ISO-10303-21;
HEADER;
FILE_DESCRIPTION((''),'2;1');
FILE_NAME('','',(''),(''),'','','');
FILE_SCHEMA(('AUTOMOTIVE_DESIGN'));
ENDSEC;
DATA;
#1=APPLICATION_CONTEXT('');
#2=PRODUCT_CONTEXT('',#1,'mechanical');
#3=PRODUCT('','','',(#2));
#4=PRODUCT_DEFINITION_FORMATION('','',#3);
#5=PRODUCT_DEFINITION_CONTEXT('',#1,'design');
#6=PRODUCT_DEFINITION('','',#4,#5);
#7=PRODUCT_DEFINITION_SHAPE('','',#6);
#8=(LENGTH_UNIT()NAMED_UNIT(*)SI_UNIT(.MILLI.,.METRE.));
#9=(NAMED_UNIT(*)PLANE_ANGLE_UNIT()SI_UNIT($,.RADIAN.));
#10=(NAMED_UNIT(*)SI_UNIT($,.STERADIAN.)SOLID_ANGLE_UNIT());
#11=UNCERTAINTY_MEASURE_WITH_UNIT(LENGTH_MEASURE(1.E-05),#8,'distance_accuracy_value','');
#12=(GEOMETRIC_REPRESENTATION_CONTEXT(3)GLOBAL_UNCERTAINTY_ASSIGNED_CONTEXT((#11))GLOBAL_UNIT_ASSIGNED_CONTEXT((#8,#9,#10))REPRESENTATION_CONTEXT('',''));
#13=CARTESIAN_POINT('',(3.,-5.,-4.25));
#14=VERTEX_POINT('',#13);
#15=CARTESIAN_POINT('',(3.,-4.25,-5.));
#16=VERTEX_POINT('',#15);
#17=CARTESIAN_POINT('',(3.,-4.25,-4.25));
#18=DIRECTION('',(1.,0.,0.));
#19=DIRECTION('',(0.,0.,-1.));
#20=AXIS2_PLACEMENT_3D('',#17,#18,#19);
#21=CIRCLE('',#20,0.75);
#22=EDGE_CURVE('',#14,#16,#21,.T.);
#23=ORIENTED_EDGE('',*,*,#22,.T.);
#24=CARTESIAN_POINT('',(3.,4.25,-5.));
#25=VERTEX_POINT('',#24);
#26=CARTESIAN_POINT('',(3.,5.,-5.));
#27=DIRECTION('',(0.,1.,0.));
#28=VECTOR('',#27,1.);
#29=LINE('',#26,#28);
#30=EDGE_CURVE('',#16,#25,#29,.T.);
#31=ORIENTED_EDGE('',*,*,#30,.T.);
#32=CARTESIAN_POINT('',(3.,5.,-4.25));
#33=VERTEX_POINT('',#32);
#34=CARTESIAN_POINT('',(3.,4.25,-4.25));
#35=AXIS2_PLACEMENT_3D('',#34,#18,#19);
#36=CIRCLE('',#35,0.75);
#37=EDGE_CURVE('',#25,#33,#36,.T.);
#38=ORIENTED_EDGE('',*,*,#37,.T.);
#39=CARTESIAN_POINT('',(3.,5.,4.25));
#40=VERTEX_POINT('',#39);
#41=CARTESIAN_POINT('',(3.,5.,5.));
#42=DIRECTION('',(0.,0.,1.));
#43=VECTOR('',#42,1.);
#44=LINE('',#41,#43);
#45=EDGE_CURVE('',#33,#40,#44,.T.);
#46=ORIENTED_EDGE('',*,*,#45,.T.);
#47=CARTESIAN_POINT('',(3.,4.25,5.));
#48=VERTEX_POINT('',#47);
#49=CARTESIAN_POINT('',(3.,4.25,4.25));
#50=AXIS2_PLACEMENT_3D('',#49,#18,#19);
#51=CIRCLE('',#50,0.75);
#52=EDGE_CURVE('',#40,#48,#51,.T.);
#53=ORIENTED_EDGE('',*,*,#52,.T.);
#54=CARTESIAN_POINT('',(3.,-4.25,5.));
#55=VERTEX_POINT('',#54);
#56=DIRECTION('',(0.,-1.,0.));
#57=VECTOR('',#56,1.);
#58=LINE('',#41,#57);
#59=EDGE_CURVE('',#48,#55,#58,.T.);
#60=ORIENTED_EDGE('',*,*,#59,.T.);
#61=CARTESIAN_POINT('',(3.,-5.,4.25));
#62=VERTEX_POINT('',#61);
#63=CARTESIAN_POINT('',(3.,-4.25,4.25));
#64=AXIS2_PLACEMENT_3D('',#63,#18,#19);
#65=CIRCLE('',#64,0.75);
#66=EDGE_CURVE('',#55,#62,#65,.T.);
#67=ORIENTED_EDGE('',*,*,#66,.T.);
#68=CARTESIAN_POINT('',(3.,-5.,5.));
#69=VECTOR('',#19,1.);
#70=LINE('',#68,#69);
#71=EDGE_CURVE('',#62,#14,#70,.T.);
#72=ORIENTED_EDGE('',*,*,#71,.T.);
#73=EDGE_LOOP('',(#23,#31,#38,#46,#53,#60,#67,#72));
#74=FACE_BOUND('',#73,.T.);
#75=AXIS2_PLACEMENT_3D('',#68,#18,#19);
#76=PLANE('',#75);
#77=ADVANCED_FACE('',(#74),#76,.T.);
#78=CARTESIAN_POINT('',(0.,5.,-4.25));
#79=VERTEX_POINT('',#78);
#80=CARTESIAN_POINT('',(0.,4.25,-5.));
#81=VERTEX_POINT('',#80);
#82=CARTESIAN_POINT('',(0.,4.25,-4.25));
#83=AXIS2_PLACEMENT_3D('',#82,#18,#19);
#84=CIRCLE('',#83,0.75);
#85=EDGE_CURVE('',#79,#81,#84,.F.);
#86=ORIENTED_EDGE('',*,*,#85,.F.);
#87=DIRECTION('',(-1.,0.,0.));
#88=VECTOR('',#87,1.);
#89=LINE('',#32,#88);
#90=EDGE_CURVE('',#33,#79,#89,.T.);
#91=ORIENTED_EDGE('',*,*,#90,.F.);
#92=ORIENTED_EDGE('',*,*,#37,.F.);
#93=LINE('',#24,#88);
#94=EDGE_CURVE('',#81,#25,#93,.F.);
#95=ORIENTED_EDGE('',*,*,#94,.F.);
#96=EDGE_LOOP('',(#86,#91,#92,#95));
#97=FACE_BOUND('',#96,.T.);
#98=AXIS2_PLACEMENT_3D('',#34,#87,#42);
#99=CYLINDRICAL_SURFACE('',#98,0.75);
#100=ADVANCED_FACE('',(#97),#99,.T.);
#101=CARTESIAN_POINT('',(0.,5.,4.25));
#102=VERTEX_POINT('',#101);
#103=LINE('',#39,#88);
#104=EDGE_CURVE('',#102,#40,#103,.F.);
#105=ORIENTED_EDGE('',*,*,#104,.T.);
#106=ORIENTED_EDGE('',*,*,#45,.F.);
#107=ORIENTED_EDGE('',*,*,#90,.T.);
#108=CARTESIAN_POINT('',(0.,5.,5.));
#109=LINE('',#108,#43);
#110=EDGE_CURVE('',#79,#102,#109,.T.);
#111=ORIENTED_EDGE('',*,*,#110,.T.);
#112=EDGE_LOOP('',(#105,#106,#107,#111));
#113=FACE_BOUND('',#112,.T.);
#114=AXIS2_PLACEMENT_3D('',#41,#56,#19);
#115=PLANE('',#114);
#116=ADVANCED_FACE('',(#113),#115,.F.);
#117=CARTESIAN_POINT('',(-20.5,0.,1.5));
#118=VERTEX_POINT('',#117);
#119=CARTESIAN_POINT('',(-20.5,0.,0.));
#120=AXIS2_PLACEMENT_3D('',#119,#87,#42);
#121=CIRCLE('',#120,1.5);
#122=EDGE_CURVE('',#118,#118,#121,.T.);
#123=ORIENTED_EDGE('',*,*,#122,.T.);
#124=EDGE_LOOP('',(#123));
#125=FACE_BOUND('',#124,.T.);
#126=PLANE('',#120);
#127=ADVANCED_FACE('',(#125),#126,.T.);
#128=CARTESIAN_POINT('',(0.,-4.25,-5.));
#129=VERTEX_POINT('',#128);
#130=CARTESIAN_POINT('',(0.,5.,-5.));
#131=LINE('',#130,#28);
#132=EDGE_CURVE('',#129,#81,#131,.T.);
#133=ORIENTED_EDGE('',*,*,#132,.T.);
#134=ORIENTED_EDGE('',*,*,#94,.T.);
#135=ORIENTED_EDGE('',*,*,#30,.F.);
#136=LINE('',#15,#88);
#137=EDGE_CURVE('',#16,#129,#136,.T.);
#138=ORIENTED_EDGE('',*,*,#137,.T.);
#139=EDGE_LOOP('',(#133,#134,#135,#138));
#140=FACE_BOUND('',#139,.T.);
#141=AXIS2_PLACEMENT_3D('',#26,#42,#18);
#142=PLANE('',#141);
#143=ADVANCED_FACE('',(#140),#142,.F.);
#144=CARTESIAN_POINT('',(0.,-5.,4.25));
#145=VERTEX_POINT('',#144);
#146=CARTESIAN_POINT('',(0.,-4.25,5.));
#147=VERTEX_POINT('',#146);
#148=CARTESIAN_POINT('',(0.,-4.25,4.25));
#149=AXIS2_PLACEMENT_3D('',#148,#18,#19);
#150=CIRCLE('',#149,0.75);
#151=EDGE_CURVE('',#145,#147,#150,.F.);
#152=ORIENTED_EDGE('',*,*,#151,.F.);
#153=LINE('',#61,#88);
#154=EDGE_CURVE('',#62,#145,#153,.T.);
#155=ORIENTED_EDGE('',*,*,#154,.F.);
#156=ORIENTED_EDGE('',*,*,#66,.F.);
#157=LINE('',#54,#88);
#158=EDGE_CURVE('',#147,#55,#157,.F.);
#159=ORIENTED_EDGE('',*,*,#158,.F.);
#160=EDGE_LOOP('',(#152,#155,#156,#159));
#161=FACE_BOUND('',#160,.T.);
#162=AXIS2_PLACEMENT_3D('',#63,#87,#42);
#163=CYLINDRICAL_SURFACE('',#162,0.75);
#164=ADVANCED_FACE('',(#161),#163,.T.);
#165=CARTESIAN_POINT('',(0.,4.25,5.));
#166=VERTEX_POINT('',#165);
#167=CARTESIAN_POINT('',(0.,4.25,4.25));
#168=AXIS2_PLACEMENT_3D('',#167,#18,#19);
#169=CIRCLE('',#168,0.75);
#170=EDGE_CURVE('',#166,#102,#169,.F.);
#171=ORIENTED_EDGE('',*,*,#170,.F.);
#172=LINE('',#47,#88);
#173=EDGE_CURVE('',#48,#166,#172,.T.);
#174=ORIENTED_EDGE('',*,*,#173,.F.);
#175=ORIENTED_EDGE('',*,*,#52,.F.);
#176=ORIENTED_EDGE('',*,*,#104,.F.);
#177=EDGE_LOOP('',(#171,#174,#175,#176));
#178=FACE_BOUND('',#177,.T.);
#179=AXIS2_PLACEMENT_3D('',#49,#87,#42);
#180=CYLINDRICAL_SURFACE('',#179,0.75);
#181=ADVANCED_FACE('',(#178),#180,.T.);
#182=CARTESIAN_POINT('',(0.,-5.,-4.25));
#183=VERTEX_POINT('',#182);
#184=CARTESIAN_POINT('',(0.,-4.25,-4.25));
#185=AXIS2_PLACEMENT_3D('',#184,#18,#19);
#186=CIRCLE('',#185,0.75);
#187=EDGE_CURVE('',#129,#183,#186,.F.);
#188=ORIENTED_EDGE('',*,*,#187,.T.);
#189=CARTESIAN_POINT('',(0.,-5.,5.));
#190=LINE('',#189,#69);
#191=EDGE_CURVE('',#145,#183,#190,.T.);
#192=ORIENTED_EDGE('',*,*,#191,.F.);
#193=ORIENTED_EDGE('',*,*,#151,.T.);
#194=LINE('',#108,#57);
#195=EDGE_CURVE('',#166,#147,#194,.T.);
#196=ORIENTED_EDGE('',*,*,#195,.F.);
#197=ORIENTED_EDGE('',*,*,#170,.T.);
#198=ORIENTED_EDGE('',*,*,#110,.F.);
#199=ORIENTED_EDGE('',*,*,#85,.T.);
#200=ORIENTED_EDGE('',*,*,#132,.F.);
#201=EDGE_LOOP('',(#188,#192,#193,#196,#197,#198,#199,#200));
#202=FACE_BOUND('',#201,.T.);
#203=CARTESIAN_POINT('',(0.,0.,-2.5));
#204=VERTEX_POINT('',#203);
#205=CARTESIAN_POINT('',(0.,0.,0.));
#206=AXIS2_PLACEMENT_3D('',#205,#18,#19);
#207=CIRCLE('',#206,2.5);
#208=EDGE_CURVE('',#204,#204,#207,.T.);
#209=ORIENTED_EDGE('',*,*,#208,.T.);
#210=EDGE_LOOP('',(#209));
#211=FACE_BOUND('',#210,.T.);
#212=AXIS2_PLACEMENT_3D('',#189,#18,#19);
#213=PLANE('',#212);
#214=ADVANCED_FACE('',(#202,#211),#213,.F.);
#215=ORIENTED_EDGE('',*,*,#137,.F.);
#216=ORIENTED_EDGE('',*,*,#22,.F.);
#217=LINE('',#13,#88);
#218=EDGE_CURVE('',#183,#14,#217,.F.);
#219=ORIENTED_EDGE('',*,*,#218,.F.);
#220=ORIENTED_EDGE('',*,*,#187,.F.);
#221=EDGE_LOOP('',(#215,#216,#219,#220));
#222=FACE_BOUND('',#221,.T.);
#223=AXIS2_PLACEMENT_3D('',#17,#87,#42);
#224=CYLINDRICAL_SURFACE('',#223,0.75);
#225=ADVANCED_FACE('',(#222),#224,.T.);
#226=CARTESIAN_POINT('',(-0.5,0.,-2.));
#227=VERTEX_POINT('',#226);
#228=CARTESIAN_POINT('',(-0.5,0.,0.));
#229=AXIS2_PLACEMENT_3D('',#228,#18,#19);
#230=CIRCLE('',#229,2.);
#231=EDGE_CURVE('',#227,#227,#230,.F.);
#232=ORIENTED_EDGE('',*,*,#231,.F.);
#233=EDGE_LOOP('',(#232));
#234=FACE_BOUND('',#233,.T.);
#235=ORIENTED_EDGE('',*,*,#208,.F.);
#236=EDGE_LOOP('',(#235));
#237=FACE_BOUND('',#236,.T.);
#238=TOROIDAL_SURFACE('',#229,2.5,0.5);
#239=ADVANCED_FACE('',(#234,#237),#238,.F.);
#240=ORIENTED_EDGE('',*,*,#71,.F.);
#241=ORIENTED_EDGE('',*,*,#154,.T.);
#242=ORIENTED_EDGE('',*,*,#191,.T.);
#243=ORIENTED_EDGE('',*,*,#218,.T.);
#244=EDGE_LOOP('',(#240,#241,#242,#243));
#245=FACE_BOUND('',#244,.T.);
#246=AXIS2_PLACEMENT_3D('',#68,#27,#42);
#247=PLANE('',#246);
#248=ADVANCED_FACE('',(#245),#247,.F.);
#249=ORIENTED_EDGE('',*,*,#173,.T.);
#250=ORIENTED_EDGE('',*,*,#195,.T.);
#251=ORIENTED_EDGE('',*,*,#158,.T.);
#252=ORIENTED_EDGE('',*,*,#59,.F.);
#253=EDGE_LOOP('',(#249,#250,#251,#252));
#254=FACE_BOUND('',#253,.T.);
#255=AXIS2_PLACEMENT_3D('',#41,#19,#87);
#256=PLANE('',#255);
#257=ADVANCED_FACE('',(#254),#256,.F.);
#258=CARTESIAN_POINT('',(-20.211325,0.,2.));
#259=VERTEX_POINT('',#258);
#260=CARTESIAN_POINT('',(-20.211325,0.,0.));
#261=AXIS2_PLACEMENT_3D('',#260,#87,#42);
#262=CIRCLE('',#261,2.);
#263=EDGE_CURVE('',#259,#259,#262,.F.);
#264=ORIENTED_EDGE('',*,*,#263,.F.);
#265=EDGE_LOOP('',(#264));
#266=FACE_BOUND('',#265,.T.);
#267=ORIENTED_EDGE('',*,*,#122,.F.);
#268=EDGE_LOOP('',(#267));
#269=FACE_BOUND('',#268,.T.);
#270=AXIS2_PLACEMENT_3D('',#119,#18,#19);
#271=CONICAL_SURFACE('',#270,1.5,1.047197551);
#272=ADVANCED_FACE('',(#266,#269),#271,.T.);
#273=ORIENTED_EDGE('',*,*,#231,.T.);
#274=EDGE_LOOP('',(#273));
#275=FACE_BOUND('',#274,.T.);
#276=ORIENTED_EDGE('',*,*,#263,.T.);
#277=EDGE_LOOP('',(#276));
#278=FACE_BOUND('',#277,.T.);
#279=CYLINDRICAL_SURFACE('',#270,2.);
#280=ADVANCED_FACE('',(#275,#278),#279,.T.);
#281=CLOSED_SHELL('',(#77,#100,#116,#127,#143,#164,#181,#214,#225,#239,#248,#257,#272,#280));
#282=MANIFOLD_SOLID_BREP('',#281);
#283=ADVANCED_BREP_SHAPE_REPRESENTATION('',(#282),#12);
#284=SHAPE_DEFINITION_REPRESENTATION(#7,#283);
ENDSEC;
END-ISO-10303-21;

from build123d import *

# Parameters (mm, degrees)
SKETCH1_W      = 10
SKETCH1_H      = 10
HEAD_DEPTH     = 3
SKETCH2_R      = 2
SHAFT_DEPTH    = 20.5
HEAD_FILLET_R  = 0.75
FILLET1_R      = 0.5
CHAMFER1_SIZE  = 0.5
CHAMFER1_SIZE2 = 0.288675135


with BuildPart() as part:
    # Sketch1 → head (new body)
    with BuildSketch(Plane(origin=(0, 0, 0), x_dir=(0, 0, -1), z_dir=(1, 0, 0))):
        Rectangle(SKETCH1_W, SKETCH1_H)
    extrude(amount=HEAD_DEPTH)

    # Sketch2 → shaft (add)
    with BuildSketch(Plane.ZY):
        with Locations(Location((0, 0, 0), (0, 0, 180))):  # turned: the seam where the file's is
            Circle(SKETCH2_R)
    extrude(amount=SHAFT_DEPTH)

    # head fillet
    head_fillet_edges = [part.edges().sort_by_distance(p)[0] for p in [
        (1.5, 5, 5),
        (1.5, 5, -5),
        (1.5, -5, -5),
        (1.5, -5, 5),
    ]]
    fillet(head_fillet_edges, radius=HEAD_FILLET_R)

    # Fillet1
    fillet1_edges = [part.edges().sort_by_distance(p)[0] for p in [
        (0, 0, 2),
    ]]
    fillet(fillet1_edges, radius=FILLET1_R)

    # Chamfer1
    chamfer1_edges = [part.edges().sort_by_distance(p)[0] for p in [
        (-20.5, 0, 2),
    ]]
    chamfer1_side = [part.faces().sort_by_distance(p)[0] for p in [
        (-20.5, 0, 0),
    ]]
    chamfer(chamfer1_edges, length=CHAMFER1_SIZE, length2=CHAMFER1_SIZE2, reference=chamfer1_side[0])


solid = part.part
